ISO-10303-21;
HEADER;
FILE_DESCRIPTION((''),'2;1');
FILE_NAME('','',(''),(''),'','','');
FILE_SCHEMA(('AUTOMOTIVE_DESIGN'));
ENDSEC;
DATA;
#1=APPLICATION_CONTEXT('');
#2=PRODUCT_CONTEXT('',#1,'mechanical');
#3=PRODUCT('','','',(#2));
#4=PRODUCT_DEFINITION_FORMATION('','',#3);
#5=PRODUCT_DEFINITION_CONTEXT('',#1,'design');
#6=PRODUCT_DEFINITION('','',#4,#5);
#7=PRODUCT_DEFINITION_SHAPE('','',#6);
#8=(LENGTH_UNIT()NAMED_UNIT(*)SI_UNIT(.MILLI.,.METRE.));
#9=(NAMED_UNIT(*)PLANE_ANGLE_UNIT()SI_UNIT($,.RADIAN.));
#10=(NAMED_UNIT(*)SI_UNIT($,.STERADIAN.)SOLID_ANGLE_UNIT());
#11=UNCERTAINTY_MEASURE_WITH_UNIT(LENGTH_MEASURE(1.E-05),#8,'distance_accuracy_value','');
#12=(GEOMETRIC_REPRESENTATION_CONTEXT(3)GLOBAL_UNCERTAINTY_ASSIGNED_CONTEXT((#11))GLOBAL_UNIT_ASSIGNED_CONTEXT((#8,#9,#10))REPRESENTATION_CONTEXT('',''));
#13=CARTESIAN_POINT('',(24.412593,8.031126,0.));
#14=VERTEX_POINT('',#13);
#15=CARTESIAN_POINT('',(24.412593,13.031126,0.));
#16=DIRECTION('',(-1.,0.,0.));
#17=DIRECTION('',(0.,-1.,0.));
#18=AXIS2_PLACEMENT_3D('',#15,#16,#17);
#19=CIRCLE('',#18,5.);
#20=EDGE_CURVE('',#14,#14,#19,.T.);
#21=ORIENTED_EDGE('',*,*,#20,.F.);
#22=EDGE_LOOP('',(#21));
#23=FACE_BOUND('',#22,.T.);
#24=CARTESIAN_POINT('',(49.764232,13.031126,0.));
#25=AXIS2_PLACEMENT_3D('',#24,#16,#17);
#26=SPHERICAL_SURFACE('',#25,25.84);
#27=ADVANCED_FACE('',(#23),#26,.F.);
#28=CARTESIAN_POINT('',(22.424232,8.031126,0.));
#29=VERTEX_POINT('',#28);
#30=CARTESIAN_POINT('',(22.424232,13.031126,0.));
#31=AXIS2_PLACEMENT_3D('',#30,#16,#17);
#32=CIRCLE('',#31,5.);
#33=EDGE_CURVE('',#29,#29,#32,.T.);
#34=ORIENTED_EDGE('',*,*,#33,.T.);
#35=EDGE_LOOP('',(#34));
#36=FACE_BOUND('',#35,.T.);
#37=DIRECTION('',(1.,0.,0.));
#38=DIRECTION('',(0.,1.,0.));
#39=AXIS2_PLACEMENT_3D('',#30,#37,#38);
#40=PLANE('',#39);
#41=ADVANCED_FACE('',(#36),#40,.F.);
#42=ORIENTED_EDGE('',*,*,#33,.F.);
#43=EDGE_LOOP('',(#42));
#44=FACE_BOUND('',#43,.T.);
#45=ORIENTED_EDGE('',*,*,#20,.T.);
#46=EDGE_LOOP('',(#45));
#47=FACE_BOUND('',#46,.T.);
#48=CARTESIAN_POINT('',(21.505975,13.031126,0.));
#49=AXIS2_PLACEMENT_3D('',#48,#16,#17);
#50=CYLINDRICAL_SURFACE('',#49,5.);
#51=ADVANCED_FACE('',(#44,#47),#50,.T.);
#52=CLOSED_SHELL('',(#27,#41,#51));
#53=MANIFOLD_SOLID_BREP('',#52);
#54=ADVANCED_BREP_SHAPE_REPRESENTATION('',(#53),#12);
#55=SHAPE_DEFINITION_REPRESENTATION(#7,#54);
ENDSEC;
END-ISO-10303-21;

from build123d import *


with BuildPart() as part:
    # 草图1 → 旋转1 (revolve)
    with BuildSketch(Plane.XY, mode=Mode.PRIVATE) as revolve_1_sk:
        with BuildLine():
            Line((22.424232054, 13.031126091), (22.424232054, 18.031126091))
            Line((22.424232054, 18.031126091), (24.412593053, 18.031126091))
            ThreePointArc((24.412593053, 18.031126091), (24.046612104, 15.543022609), (23.924232054, 13.031126091))
            Line((23.924232054, 13.031126091), (22.424232054, 13.031126091))
        make_face()
    revolve(revolve_1_sk.sketch.rotate(Axis((21.505975118, 13.031126091, 0), (1, 0, 0)), 180), axis=Axis((21.505975118, 13.031126091, 0), (1, 0, 0)))  # turned: the seam where the file's is


solid = part.part
